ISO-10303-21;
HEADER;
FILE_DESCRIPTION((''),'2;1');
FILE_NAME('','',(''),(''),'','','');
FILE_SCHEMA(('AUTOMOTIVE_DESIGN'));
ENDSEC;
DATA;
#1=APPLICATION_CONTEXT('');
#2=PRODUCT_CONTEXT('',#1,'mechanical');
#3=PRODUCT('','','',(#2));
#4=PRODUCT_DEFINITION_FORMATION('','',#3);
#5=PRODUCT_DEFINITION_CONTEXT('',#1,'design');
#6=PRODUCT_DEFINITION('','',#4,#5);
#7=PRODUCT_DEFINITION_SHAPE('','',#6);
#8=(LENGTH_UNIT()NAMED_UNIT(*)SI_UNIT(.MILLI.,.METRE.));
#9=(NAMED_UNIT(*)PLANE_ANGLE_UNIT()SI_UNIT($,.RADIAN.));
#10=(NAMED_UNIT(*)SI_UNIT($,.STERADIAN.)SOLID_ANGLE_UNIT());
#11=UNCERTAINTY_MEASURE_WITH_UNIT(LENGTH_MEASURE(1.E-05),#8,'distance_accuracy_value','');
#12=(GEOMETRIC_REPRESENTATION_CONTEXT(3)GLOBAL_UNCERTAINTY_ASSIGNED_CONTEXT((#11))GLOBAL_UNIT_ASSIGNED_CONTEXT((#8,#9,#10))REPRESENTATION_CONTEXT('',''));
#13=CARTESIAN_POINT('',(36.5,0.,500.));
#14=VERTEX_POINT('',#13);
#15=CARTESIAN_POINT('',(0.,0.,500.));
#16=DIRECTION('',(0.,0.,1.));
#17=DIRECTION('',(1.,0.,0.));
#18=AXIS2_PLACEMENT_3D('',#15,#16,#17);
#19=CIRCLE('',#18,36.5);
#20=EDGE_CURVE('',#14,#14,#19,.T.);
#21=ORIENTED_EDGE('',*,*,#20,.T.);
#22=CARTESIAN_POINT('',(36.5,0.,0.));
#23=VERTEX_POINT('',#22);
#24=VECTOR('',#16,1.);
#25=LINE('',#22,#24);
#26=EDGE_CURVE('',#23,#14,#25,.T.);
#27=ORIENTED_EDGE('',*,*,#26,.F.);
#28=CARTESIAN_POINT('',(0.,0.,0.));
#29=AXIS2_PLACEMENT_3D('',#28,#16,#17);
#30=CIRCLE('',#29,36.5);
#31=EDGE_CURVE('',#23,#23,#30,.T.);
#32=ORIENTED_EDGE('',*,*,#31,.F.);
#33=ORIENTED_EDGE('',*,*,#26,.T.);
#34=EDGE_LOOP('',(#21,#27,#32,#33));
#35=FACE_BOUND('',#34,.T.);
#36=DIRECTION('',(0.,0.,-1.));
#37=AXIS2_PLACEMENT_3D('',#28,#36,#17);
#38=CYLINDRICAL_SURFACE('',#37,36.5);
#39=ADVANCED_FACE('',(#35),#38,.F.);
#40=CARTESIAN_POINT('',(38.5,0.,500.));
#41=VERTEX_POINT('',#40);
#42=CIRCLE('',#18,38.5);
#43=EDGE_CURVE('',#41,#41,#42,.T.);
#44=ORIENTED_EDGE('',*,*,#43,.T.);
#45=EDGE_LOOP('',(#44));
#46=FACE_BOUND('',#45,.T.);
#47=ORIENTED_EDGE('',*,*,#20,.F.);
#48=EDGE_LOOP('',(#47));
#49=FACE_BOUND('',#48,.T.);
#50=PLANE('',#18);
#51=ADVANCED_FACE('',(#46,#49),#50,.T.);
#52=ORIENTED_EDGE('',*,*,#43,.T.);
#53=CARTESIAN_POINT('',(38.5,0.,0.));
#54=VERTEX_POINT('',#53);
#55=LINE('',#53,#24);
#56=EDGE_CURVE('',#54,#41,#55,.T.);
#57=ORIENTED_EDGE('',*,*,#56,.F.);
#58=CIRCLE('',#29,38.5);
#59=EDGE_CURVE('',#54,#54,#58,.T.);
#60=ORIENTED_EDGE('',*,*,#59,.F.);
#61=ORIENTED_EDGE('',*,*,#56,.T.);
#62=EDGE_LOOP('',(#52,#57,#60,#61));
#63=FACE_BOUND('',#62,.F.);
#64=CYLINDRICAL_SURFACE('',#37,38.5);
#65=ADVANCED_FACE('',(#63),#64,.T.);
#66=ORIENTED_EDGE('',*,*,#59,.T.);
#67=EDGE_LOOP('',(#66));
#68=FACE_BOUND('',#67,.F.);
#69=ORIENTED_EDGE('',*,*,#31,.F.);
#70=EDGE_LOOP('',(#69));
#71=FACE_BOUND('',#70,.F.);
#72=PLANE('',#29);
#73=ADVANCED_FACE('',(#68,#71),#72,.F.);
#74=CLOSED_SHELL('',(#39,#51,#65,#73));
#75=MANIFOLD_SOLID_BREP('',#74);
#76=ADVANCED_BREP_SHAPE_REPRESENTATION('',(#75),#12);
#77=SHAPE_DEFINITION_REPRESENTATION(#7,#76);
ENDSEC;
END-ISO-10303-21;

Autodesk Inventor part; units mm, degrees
ref_plane "YZ Plane" through (0, 0, 0) normal (1, 0, 0) x (0, 1, 0)
ref_plane "XZ Plane" through (0, 0, 0) normal (0, 1, 0) x (-1, 0, 0)
ref_plane "XY Plane" through (0, 0, 0) normal (0, 0, 1) x (1, 0, 0)
sketch "Sketch1" plane through (0, 0, 0) normal (0, 0, 1) x (1, 0, 0)
  circle A0 centre (0, 0) radius 38.5
  circle A1 centre (0, 0) radius 36.5
  dimension "d0" = 77
  dimension "d3" = 2
extrude "Extrusion2" add sketch "Sketch1" along normal blind 500
properties part number "Tube"
